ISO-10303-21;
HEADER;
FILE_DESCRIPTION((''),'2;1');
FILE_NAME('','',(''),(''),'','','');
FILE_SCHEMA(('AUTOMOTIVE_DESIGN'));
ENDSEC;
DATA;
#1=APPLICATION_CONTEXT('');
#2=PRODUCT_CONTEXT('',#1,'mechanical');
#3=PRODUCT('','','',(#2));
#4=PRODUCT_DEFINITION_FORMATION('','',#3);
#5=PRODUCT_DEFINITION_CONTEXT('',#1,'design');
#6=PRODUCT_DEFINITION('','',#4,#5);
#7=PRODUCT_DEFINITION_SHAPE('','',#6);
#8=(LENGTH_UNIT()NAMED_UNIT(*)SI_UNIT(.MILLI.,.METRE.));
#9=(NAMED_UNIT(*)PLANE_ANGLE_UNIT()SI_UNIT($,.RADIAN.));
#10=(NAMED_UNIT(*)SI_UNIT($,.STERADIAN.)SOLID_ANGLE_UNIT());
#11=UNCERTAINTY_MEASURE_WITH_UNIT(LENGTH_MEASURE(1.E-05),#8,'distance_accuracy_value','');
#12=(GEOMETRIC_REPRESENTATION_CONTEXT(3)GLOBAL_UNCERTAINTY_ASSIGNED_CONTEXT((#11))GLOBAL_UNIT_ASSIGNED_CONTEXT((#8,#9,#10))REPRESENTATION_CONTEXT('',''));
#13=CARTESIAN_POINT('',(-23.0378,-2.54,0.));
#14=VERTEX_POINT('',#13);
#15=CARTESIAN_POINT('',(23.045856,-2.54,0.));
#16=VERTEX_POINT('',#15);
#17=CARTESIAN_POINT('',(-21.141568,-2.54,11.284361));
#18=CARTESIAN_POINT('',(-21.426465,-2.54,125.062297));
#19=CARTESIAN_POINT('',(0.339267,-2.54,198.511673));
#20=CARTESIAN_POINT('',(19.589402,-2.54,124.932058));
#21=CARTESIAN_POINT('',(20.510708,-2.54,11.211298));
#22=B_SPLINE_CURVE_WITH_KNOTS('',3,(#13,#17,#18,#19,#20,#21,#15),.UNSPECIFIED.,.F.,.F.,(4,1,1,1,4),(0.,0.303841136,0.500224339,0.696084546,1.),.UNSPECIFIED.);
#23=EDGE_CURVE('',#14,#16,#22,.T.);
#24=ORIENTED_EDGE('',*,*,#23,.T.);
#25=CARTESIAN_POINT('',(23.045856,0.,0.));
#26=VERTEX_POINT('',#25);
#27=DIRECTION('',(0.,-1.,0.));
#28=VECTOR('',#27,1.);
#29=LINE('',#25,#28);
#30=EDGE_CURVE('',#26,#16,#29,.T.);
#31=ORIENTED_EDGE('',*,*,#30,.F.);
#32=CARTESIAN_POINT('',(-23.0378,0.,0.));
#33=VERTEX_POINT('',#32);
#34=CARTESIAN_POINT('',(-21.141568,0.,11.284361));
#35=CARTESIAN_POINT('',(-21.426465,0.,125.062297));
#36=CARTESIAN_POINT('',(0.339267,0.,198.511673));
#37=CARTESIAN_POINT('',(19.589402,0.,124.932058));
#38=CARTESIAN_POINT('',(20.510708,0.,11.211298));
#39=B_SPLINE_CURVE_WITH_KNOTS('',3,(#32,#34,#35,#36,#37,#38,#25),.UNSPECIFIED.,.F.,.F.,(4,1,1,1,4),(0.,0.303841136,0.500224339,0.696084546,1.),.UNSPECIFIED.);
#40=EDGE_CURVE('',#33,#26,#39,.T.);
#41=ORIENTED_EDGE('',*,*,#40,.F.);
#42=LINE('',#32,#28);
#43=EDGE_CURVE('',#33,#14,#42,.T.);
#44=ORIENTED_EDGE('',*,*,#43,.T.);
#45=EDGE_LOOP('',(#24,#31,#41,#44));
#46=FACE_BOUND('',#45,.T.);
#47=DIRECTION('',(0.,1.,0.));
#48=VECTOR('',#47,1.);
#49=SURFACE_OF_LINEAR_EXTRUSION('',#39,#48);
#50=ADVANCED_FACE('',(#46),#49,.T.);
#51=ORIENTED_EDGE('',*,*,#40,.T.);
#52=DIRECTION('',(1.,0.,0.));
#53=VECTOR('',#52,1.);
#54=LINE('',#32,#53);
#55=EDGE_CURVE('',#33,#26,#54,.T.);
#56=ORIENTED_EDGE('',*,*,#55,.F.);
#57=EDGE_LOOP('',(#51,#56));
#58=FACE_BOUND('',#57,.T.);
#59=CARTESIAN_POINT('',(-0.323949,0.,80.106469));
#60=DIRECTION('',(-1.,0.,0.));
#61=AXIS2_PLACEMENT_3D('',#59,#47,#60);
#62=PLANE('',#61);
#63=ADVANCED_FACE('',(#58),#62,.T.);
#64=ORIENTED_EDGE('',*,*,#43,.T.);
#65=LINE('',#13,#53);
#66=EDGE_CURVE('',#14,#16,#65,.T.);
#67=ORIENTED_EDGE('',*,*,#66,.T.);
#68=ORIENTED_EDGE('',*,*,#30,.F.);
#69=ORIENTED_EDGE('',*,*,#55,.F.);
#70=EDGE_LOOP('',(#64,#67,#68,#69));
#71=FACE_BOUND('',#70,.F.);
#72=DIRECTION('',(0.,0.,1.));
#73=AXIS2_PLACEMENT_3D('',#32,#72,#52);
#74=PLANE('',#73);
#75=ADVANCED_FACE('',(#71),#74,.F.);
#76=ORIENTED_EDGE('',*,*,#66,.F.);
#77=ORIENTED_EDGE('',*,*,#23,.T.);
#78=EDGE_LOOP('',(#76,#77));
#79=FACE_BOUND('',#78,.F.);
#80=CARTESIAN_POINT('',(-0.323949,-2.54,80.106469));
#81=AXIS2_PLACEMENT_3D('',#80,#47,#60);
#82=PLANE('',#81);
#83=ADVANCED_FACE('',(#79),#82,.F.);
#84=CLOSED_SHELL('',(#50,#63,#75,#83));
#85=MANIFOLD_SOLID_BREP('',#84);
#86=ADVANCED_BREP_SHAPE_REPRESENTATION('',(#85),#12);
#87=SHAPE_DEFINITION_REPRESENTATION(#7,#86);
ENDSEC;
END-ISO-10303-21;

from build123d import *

# Parameters (mm, degrees)
F1_DEPTH = 2.54


with BuildPart() as f1:
    # F0 (on Front) → F1 (new body)
    with BuildSketch(Plane.XZ):
        with BuildLine():
            add(Edge.make_bspline(
                [(-23.0378, 0), (-21.1415680996, 11.2843610333), (-21.4264647608, 125.0622971054), (0.3392668624, 198.5116730982), (19.5894024335, 124.9320581465), (20.5107076384, 11.2112977947), (23.0458555272, 0)],
                knots=[0, 0, 0, 0, 0.3038411362, 0.5002243392, 0.6960845462, 1, 1, 1, 1], degree=3))
            Line((-23.0378, 0), (23.0458555272, 0))
        make_face()
    extrude(amount=F1_DEPTH)


solid = f1.part
